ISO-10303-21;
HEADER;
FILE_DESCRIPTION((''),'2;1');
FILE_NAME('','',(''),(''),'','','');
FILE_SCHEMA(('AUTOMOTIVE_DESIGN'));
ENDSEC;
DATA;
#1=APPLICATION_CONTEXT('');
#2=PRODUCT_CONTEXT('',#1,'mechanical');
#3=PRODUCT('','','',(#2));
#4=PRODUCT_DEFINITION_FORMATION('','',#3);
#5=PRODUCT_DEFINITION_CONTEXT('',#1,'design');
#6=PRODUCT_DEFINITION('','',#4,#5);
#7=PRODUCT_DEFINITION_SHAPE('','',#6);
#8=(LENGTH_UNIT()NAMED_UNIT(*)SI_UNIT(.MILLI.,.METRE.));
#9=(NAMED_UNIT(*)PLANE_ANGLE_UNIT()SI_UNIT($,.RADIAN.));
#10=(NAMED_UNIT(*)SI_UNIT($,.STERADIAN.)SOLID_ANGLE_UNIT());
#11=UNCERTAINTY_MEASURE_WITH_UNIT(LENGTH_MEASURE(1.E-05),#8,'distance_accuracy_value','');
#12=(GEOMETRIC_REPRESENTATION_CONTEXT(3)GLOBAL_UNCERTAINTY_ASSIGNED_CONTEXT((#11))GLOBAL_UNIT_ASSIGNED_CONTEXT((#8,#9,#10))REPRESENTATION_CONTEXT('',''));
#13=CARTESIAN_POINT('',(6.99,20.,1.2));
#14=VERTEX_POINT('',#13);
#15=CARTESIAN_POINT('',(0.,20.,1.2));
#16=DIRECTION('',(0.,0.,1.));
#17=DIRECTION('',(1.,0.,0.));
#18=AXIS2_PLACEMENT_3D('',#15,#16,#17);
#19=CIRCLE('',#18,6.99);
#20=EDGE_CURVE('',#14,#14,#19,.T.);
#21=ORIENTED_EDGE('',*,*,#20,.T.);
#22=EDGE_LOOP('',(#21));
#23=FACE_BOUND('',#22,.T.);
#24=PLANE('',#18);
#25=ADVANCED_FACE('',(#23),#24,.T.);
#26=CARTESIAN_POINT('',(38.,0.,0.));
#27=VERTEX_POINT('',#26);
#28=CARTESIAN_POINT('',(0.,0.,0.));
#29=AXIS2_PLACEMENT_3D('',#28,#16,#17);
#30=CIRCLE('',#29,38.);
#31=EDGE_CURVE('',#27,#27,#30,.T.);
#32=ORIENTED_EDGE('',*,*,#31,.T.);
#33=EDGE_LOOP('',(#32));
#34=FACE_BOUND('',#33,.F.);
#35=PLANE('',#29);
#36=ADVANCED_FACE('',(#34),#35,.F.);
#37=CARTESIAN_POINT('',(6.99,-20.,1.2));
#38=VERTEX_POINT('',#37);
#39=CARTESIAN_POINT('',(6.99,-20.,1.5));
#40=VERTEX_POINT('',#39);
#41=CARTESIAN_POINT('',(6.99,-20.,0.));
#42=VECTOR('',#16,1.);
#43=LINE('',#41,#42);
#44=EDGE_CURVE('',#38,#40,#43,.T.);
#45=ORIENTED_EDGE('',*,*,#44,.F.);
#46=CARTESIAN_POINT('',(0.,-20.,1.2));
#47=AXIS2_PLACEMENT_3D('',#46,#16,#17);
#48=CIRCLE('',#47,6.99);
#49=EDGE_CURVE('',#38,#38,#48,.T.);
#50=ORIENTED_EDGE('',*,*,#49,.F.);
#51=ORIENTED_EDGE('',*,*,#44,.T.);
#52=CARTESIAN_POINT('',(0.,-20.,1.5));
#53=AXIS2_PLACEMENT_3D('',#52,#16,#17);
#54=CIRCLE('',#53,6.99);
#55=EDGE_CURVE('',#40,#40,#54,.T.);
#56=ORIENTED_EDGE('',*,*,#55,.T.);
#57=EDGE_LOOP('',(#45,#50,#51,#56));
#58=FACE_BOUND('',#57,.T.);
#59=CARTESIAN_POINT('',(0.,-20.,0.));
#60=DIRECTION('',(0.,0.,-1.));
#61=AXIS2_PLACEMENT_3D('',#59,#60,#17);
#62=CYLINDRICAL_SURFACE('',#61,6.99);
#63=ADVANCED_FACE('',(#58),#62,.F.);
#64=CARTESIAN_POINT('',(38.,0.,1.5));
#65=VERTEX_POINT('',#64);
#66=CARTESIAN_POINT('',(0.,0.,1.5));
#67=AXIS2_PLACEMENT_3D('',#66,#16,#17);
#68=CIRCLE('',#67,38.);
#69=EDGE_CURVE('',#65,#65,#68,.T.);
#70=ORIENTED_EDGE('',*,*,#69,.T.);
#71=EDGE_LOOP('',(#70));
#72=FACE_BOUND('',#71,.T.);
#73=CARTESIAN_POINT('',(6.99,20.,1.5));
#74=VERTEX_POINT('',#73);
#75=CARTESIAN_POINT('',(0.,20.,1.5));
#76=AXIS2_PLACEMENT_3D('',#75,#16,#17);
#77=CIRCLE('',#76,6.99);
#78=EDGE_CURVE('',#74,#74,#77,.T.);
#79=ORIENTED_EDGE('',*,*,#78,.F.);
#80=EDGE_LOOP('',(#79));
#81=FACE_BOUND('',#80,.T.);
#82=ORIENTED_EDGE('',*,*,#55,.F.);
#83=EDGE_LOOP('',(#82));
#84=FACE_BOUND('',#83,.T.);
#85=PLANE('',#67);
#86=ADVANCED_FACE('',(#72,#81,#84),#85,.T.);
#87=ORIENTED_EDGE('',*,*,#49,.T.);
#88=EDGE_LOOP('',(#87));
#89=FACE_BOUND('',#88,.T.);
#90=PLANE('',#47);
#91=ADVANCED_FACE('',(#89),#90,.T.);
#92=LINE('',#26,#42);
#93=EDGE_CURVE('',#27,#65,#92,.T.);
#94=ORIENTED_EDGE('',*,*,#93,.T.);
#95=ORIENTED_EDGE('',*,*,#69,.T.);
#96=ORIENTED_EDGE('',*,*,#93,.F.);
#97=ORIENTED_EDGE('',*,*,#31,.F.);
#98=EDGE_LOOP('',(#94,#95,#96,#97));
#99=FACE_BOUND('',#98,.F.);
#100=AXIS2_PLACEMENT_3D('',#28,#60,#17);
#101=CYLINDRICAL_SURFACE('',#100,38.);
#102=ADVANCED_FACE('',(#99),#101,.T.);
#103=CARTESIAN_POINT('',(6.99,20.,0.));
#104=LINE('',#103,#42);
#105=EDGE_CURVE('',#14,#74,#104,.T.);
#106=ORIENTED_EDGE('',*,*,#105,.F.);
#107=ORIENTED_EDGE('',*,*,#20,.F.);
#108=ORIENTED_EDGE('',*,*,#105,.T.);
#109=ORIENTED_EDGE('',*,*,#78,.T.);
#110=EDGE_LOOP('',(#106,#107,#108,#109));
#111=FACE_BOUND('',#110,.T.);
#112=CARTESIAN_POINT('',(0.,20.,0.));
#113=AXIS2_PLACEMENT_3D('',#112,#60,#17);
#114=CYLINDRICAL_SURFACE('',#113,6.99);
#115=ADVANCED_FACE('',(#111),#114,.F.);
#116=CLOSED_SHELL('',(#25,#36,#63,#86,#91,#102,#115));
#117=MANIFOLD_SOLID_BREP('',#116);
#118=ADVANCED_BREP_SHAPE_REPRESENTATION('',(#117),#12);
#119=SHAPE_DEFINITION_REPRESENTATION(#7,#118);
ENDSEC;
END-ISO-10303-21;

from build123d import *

# Parameters (mm, degrees)
F0_R     = 6.99
F1_DEPTH = 1.2
F0_R_2   = 38
F2_DEPTH = 1.5


with BuildPart() as f1:
    # F0 (on Top) → F1 (new body)
    with BuildSketch(Plane.XY):
        with Locations((0, 20)):
            Circle(F0_R)
        with Locations((0, -20)):
            Circle(F0_R)
    extrude(amount=F1_DEPTH)

    # F0 (on Top) → F2 (join)
    with BuildSketch(Plane.XY):
        Circle(F0_R_2)
        with Locations((0, -20)):
            Circle(F0_R, mode=Mode.SUBTRACT)
        with Locations((0, 20)):
            Circle(F0_R, mode=Mode.SUBTRACT)
    extrude(amount=F2_DEPTH)


solid = f1.part
